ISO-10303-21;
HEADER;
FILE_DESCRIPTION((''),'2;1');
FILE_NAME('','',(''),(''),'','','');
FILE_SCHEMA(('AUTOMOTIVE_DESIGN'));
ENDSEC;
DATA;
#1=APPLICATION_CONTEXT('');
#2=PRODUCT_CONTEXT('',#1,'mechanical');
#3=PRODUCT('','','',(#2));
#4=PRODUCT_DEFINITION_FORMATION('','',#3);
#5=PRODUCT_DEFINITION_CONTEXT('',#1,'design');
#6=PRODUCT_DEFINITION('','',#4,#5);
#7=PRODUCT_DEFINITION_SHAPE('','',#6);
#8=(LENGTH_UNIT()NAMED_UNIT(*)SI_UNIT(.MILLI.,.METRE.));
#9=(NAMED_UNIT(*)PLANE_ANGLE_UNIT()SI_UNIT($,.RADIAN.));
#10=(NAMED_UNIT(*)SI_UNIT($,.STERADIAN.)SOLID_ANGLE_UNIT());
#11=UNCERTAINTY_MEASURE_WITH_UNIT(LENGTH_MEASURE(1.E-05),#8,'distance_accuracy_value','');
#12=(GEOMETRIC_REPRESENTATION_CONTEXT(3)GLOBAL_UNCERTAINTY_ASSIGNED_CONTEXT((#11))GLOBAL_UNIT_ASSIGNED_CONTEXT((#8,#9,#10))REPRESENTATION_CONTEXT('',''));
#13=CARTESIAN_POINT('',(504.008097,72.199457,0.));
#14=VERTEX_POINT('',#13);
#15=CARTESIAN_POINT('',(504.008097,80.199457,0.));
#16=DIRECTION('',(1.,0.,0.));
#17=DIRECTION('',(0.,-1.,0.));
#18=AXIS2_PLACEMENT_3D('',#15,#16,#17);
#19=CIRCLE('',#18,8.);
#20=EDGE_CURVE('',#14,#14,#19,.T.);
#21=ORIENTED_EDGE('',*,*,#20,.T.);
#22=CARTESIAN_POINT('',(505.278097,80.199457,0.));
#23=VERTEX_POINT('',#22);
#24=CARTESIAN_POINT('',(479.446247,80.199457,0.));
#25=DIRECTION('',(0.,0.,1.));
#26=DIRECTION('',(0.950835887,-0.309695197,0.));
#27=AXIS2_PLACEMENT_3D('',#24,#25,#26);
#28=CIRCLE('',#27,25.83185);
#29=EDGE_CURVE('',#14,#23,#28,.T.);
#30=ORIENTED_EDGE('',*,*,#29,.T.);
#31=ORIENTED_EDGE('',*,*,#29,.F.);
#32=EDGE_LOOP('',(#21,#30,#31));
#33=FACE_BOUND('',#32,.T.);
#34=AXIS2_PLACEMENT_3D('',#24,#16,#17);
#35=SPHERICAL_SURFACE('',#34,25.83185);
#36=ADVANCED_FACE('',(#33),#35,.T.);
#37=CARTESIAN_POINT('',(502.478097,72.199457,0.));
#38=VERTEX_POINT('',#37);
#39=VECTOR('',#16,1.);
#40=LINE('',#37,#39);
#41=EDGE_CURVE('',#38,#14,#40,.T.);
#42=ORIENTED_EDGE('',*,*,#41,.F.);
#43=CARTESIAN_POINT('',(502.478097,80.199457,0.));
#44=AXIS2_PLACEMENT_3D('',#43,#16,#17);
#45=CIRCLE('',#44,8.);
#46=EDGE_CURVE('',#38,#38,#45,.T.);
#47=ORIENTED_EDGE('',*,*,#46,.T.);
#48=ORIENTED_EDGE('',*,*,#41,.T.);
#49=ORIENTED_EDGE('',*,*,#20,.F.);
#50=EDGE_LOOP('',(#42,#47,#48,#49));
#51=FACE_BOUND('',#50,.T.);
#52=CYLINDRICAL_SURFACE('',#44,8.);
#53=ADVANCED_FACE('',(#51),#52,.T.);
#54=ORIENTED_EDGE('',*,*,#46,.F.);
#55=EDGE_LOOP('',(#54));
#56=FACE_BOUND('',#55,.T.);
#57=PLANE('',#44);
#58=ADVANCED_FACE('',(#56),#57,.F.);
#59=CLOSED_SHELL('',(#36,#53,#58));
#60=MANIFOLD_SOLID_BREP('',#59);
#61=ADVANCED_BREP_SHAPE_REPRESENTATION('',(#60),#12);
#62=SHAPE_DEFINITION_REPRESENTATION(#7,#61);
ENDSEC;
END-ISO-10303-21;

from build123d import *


with BuildPart() as part:
    # 草图1 → 旋转1 (revolve)
    with BuildSketch(Plane.XY, mode=Mode.PRIVATE) as revolve_1_sk:
        with BuildLine():
            Line((502.478097284, 80.199456852), (502.478097284, 88.199456852))
            Line((502.478097284, 88.199456852), (504.008097284, 88.199456852))
            ThreePointArc((504.008097284, 88.199456852), (504.958621726, 84.249546357), (505.278097284, 80.199456852))
            Line((505.278097284, 80.199456852), (502.478097284, 80.199456852))
        make_face()
    revolve(revolve_1_sk.sketch.rotate(Axis((500.830124811, 80.199456852, 0), (1, 0, 0)), 180), axis=Axis((500.830124811, 80.199456852, 0), (1, 0, 0)))  # turned: the seam where the file's is


solid = part.part
